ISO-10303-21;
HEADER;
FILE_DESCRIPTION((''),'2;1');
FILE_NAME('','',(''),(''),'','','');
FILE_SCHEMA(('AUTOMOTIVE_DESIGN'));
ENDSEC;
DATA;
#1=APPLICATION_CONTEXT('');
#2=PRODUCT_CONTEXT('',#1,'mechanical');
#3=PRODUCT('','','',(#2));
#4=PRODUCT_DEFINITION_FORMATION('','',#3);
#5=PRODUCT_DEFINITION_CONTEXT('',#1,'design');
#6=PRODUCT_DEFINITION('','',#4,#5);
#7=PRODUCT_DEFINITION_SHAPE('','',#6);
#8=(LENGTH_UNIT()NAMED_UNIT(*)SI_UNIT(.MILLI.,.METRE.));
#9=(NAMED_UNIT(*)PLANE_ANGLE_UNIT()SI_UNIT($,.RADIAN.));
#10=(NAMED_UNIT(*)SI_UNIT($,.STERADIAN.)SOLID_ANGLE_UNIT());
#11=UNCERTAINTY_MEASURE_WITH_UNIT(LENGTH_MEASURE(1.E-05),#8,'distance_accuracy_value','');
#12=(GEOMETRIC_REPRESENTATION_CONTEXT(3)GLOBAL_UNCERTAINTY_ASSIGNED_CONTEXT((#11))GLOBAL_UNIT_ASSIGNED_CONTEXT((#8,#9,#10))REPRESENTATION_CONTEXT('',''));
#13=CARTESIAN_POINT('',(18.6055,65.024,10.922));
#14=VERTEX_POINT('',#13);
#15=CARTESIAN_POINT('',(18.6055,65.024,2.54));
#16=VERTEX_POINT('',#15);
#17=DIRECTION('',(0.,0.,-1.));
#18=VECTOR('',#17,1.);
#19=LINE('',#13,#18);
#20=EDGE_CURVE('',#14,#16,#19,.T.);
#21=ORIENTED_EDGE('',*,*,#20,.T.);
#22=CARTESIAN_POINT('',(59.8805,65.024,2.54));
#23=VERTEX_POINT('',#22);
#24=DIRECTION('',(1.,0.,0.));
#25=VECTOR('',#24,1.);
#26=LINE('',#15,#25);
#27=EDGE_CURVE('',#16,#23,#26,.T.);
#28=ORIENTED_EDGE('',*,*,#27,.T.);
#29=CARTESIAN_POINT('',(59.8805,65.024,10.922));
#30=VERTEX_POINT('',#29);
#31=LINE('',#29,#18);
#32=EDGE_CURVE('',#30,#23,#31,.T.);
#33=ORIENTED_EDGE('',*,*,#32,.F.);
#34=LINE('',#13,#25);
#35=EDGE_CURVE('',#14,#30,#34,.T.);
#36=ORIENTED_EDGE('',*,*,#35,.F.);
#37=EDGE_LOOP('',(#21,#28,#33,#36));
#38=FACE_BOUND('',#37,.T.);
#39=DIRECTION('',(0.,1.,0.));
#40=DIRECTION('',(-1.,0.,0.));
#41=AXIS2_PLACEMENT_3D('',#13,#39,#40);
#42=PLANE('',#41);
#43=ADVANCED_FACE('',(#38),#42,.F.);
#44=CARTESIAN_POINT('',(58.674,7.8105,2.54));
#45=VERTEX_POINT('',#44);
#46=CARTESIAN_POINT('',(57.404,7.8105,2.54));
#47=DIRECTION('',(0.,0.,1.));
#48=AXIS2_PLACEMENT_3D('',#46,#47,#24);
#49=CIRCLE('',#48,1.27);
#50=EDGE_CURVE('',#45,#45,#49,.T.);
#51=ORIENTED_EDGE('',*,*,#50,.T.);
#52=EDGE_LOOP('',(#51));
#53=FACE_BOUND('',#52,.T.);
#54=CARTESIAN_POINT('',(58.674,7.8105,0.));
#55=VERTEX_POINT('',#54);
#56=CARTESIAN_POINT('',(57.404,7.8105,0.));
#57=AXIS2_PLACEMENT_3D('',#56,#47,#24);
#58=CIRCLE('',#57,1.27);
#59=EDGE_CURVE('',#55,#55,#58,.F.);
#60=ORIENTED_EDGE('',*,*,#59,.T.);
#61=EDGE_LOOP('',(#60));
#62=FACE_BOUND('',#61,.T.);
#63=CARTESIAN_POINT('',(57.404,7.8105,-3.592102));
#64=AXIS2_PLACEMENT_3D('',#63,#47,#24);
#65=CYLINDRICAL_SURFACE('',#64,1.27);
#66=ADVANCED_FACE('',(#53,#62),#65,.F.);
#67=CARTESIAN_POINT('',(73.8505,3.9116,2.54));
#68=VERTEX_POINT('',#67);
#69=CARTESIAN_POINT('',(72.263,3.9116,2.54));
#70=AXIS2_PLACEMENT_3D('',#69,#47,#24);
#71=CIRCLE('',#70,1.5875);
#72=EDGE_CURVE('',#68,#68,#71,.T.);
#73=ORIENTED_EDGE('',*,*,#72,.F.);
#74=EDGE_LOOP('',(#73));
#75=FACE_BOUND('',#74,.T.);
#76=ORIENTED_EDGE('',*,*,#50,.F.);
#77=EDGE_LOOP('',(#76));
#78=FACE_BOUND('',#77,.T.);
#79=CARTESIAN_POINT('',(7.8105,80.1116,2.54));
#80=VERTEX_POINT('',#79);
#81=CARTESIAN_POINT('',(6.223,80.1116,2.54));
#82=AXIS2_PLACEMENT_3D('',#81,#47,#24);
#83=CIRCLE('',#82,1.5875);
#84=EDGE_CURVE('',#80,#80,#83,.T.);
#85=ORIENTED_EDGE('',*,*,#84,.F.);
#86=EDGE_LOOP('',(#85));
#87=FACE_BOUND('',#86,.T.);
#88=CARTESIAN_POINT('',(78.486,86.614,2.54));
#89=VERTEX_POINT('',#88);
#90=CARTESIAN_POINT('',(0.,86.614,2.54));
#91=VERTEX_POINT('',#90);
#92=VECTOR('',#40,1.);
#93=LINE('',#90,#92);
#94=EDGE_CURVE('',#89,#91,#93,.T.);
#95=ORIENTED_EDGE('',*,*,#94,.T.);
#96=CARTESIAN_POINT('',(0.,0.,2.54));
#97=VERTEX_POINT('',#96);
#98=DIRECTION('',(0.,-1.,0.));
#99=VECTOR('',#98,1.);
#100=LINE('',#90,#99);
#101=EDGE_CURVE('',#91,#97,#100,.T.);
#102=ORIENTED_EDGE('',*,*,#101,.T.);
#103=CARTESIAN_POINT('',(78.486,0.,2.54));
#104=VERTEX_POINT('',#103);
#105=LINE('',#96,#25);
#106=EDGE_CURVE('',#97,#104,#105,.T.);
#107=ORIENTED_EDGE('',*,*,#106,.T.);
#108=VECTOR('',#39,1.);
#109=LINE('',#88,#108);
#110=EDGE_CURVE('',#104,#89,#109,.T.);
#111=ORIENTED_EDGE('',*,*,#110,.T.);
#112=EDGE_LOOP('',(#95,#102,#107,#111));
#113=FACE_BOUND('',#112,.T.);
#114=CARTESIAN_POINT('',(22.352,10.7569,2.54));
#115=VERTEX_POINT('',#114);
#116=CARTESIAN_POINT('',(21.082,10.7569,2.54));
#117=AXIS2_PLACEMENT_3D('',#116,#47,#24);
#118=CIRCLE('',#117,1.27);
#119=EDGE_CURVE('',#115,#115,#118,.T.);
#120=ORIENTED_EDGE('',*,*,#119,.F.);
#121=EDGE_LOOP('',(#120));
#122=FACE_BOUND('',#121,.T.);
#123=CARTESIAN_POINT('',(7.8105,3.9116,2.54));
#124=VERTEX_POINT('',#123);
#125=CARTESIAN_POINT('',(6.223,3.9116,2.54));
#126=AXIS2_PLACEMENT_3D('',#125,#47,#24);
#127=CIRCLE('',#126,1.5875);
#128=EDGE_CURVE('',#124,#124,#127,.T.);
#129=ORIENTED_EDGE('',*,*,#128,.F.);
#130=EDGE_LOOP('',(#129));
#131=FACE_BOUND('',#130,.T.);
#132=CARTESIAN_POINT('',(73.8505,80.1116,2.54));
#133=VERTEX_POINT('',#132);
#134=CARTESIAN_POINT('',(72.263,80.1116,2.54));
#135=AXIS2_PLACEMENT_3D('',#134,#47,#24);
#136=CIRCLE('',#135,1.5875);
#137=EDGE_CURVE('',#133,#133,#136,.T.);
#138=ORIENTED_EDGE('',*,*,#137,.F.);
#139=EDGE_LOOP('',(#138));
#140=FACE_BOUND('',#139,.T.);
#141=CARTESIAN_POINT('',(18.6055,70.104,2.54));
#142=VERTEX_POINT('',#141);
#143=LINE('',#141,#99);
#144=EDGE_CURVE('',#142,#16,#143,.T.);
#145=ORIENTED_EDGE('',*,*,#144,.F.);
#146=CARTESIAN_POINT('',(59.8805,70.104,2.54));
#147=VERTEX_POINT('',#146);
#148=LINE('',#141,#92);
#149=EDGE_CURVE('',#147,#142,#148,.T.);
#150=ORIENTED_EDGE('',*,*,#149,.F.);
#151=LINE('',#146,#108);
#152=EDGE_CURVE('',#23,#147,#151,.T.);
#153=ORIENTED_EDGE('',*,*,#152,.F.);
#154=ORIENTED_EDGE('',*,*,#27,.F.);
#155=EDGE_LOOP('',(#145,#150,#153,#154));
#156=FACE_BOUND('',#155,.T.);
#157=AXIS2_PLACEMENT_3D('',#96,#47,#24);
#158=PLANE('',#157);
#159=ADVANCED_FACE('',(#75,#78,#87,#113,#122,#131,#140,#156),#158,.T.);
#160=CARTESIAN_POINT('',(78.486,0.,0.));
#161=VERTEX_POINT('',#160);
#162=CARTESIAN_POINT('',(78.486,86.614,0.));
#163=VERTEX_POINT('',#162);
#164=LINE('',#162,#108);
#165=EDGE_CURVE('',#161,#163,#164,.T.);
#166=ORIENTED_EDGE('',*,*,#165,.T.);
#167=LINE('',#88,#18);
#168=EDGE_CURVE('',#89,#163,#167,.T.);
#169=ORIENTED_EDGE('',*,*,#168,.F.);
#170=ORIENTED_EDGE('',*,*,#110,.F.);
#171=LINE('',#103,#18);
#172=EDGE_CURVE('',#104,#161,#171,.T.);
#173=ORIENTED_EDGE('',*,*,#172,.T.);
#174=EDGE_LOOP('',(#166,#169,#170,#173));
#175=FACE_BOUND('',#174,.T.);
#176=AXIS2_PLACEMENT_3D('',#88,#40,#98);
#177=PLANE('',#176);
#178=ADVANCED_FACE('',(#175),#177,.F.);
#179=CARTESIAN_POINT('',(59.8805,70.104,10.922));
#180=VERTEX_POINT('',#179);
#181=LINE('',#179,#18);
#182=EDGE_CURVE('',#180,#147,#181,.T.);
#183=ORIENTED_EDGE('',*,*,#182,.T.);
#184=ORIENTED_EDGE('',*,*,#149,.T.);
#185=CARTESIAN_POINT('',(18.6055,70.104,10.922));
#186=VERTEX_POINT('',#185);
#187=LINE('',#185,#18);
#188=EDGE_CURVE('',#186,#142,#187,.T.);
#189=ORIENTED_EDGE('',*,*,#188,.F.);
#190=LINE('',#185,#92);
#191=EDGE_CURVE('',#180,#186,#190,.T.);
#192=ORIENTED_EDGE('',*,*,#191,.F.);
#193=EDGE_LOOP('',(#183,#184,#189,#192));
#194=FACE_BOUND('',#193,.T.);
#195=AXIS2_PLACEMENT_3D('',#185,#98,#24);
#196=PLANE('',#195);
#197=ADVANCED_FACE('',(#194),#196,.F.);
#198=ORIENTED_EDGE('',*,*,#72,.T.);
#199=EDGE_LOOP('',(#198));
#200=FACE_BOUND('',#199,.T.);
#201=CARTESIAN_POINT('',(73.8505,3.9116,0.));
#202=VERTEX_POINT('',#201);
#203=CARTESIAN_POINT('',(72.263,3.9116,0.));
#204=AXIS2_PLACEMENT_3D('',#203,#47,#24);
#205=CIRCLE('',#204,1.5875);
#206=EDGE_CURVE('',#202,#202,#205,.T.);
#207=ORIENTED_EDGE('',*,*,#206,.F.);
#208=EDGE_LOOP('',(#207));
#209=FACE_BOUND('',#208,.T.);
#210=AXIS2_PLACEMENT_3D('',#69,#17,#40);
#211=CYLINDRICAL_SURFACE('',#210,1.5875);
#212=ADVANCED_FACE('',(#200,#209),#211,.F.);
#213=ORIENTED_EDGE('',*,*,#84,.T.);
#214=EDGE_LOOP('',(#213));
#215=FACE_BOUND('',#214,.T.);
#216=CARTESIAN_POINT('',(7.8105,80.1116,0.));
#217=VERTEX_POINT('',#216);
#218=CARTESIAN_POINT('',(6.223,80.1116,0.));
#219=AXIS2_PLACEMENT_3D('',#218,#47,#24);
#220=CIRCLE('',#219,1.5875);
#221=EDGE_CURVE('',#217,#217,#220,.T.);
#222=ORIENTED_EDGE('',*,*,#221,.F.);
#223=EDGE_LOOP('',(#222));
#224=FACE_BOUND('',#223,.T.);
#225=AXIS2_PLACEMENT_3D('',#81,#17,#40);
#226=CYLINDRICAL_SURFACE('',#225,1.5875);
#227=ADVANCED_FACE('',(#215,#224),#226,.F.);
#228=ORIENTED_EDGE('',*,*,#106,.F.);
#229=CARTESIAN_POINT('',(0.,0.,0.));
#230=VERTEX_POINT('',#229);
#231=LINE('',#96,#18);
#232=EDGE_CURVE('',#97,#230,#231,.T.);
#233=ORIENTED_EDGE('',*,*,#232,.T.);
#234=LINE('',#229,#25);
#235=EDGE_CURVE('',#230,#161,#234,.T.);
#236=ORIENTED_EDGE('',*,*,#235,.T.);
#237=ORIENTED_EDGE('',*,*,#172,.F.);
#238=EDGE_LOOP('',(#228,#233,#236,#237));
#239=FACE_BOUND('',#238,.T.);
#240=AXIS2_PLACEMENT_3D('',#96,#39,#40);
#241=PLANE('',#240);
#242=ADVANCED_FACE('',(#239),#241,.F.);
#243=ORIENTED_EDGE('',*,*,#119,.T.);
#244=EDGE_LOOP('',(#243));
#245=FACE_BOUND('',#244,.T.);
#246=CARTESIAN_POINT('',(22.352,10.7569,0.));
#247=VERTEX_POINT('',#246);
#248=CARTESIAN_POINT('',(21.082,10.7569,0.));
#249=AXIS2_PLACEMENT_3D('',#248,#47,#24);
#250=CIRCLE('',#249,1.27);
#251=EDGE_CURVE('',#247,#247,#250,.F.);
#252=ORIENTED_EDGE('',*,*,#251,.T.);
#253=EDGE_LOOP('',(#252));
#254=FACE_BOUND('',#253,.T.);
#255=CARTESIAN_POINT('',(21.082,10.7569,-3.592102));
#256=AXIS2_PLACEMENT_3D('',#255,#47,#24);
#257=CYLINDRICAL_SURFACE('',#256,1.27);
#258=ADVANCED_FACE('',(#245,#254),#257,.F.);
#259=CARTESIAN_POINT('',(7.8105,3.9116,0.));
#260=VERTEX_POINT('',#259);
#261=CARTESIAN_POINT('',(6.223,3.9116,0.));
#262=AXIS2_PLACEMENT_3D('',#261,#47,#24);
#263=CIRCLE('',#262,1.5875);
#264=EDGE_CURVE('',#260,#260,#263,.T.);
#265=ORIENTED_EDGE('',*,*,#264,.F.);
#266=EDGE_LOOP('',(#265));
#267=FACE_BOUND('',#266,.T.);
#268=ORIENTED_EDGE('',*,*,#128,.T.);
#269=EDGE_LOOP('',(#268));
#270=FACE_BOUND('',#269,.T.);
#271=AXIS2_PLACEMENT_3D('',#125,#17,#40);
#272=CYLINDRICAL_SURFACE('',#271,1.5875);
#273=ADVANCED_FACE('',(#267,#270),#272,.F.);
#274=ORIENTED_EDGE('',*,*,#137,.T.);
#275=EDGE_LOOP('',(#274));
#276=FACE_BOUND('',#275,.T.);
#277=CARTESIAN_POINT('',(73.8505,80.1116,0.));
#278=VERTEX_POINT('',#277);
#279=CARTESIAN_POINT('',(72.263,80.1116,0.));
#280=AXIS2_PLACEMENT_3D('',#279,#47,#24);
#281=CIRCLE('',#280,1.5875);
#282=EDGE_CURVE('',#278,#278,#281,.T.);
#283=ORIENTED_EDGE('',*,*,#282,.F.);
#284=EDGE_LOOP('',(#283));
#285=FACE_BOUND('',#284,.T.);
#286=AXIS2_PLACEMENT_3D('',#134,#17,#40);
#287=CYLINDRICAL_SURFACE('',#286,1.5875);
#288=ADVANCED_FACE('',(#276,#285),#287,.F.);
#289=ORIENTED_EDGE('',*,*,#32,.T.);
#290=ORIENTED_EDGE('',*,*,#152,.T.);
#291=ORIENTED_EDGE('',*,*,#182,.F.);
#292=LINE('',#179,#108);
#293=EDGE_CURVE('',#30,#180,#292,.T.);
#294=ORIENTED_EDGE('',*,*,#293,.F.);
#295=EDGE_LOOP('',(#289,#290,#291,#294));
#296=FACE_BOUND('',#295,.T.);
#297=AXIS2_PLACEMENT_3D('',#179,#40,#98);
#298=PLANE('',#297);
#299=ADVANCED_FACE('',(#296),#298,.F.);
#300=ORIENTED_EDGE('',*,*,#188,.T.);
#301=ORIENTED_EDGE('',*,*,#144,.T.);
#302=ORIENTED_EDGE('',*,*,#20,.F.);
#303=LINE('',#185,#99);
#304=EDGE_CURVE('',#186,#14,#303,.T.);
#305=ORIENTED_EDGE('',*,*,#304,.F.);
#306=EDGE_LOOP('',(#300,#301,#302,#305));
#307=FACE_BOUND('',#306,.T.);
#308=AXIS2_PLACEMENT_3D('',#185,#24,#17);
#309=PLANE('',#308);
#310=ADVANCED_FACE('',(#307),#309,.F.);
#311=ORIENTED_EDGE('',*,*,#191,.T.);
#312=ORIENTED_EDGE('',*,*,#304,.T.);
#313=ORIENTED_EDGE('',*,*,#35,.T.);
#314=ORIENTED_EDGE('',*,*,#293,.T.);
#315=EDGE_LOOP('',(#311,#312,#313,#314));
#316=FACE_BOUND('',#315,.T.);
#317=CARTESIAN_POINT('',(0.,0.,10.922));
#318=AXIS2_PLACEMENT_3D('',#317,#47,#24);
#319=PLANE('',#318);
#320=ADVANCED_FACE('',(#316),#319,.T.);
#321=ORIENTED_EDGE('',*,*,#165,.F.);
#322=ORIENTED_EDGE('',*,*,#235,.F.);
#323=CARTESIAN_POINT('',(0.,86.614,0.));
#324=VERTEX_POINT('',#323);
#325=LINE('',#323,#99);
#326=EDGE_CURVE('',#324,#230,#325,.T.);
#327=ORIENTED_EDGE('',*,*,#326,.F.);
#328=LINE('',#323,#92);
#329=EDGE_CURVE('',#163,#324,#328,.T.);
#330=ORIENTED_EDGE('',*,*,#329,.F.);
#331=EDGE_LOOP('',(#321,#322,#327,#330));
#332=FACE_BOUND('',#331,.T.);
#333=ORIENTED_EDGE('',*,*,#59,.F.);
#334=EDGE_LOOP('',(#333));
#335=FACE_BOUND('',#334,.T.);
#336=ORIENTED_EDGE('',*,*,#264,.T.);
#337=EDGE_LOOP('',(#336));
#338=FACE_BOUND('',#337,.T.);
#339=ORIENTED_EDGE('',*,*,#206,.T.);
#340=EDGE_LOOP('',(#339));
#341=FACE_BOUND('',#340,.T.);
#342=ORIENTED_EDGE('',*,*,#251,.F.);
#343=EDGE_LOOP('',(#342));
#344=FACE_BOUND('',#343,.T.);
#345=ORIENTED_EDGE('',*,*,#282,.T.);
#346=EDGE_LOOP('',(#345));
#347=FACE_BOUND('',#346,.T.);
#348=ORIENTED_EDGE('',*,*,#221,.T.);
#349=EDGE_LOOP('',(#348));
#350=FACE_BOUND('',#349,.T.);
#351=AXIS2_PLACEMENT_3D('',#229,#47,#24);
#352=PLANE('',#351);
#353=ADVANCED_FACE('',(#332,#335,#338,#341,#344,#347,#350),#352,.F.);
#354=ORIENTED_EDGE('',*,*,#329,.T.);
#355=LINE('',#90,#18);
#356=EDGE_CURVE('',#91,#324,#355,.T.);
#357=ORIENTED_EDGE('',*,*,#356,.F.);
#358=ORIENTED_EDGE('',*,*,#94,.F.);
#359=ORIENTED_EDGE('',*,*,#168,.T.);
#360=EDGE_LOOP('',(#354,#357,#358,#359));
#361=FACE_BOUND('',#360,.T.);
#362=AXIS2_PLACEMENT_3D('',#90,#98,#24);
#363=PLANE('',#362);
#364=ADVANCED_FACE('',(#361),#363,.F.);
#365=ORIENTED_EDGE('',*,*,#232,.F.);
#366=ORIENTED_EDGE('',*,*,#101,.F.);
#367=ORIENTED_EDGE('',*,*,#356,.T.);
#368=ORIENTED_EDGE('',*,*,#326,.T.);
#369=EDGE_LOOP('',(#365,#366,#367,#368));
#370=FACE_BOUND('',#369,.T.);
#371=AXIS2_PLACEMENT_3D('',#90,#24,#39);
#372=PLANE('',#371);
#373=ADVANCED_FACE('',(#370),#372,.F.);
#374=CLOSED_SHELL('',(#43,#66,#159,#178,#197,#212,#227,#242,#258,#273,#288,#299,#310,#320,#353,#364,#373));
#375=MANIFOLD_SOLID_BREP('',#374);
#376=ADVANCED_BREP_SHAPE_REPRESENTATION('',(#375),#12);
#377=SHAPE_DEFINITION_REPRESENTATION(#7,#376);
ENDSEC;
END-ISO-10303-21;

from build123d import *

# Parameters (mm, degrees)
SKETCH1_W           = 78.486
SKETCH1_H           = 86.614
SKETCH1_R           = 1.5875
BOSS_EXTRUDE1_DEPTH = 2.54
SKETCH2_W           = 41.275
SKETCH2_H           = 5.08
BOSS_EXTRUDE2_DEPTH = 8.382
SKETCH4_R           = 1.27
CUT_EXTRUDE1_DEPTH  = 2.54


with BuildPart() as part:
    # Sketch1 → Boss-Extrude1 (new body)
    with BuildSketch(Plane.XY):
        with Locations((39.243, 43.307)):
            Rectangle(SKETCH1_W, SKETCH1_H)
        with Locations((6.223, 80.1116)):
            Circle(SKETCH1_R, mode=Mode.SUBTRACT)
        with Locations((72.263, 80.1116)):
            Circle(SKETCH1_R, mode=Mode.SUBTRACT)
        with Locations((72.263, 3.9116)):
            Circle(SKETCH1_R, mode=Mode.SUBTRACT)
        with Locations((6.223, 3.9116)):
            Circle(SKETCH1_R, mode=Mode.SUBTRACT)
    extrude(amount=BOSS_EXTRUDE1_DEPTH)

    # Sketch2 → Boss-Extrude2 (add)
    with BuildSketch(Plane.XY.offset(2.54)):
        with Locations((39.243, 67.564)):
            Rectangle(SKETCH2_W, SKETCH2_H)
    extrude(amount=BOSS_EXTRUDE2_DEPTH)

    # Sketch4 → Cut-Extrude1 (cut)
    with BuildSketch(Plane.XY.offset(2.54)):
        with Locations((21.082, 10.7569)):
            Circle(SKETCH4_R)
        with Locations((57.404, 7.8105)):
            Circle(SKETCH4_R)
    extrude(amount=-CUT_EXTRUDE1_DEPTH, mode=Mode.SUBTRACT)


solid = part.part
